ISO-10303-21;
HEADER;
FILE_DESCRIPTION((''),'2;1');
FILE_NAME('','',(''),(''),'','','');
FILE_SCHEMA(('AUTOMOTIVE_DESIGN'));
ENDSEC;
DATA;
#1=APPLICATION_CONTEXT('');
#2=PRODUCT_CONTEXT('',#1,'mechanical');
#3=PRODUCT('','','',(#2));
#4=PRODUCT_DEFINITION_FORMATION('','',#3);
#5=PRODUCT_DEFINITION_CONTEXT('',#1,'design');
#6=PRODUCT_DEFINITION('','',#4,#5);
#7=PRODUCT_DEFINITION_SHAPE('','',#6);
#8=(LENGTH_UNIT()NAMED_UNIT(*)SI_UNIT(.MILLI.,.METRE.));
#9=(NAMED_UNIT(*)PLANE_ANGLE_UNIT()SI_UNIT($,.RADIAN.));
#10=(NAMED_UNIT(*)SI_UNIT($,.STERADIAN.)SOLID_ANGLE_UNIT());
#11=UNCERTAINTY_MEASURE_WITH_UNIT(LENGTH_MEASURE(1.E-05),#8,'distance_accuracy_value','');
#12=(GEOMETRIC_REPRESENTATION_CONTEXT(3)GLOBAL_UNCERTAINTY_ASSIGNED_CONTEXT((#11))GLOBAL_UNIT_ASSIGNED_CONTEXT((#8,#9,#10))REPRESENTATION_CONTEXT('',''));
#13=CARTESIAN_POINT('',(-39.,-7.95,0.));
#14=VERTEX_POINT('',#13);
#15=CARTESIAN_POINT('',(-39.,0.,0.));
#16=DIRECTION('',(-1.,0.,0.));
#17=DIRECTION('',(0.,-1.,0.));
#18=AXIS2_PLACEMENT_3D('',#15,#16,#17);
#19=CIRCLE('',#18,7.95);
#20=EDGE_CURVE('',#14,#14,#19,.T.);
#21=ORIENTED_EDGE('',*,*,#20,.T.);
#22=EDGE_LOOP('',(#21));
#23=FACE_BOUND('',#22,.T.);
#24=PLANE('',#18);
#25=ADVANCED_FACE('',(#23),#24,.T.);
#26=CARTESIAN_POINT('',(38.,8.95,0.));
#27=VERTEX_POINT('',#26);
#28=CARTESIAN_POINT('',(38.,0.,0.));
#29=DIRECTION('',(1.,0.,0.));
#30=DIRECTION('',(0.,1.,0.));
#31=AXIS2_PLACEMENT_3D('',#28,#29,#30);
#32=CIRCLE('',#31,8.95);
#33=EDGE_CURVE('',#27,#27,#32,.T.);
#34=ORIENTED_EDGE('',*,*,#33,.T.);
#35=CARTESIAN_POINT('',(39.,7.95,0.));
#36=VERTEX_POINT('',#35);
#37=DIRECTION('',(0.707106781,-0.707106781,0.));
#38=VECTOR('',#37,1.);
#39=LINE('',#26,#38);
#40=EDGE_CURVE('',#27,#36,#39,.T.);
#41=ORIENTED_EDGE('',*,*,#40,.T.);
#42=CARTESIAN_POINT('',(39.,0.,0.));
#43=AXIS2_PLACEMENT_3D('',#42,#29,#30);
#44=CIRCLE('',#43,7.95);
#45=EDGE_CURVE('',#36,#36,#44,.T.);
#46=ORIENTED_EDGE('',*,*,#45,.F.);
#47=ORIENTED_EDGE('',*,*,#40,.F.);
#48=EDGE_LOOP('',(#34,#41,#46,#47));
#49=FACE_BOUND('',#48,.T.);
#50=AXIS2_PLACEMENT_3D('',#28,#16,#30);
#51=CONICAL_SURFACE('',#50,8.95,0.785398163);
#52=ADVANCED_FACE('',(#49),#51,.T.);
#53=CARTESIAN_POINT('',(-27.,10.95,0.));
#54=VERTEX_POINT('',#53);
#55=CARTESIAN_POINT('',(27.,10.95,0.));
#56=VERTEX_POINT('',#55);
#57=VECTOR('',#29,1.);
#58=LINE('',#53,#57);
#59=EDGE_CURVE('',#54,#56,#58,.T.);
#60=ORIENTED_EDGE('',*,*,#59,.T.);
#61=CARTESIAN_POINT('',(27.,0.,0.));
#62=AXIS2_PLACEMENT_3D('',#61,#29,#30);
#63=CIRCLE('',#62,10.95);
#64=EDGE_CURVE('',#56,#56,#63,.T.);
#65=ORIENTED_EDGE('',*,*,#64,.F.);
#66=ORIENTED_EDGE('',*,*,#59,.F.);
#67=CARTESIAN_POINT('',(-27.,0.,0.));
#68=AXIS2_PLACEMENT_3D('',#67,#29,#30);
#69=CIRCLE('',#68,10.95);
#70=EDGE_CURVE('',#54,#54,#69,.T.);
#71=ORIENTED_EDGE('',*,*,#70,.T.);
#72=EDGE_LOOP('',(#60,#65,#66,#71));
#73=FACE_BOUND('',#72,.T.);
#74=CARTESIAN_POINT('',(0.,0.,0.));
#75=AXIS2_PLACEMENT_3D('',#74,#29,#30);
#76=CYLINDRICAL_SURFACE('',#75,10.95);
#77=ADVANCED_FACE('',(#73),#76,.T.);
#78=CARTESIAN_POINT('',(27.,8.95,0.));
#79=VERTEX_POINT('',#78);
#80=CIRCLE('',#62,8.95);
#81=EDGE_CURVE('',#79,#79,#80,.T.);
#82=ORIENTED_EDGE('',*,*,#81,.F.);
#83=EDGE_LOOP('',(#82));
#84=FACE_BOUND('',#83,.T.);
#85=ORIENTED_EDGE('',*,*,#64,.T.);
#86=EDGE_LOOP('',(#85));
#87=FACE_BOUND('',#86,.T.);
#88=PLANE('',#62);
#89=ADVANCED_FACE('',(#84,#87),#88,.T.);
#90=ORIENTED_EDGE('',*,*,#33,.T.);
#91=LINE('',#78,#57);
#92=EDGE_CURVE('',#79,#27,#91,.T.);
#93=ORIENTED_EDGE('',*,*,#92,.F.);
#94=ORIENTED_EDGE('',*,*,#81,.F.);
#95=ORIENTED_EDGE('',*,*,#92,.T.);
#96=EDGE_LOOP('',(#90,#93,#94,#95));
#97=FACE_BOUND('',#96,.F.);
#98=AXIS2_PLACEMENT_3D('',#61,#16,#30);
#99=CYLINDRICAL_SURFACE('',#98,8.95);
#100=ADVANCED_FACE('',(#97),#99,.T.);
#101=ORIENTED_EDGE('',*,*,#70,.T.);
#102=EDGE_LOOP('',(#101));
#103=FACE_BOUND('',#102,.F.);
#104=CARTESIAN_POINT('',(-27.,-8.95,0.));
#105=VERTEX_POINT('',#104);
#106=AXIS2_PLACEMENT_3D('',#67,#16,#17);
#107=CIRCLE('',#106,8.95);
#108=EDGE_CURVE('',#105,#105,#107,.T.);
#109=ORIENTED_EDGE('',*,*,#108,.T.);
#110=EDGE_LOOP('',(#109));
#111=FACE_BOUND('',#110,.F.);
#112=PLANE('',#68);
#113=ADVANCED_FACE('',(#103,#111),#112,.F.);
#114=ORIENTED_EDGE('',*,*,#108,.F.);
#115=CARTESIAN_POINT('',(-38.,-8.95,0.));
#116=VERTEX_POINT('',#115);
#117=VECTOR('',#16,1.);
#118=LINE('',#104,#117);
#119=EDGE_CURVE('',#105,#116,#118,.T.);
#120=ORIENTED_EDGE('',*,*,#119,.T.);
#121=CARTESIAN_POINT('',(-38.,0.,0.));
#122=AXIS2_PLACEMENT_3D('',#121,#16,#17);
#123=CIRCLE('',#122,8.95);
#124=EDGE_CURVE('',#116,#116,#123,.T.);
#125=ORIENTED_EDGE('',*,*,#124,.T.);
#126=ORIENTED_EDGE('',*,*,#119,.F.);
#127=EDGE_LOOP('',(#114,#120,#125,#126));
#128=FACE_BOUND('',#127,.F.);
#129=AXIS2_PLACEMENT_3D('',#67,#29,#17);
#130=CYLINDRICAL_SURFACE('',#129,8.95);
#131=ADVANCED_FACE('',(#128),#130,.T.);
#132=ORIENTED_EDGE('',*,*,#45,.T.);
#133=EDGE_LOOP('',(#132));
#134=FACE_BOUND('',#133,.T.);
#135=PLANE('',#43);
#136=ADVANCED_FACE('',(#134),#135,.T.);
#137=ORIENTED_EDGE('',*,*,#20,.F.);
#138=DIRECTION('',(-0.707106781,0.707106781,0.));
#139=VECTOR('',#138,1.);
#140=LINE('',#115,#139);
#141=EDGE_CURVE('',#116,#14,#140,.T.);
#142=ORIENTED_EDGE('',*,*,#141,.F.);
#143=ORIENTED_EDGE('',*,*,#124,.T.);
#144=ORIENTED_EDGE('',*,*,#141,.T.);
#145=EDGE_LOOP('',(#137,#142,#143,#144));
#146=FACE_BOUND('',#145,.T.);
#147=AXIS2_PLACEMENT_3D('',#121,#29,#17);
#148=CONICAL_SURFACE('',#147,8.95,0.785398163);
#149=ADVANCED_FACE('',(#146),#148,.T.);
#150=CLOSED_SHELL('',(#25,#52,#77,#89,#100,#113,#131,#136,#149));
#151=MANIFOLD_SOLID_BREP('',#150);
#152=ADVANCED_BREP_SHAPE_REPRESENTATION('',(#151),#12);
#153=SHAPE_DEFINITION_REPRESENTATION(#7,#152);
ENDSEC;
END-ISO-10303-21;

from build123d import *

# Parameters (mm, degrees)
F0_R          = 10.95
F1_DEPTH      = 27
F1_DEPTH_BACK = 27
F2_R          = 8.95
F3_DEPTH      = 12
F4_SIZE       = 1
F5_R          = 8.95
F6_DEPTH      = 12
F7_SIZE       = 1


with BuildPart() as f1:
    # F0 (on Right) → F1 (new body, two sides)
    with BuildSketch(Plane.YZ) as f1_sk:
        Circle(F0_R)
    extrude(amount=F1_DEPTH)
    extrude(f1_sk.sketch, amount=-F1_DEPTH_BACK)

    # F2 (on face) → F3 (join)
    with BuildSketch(Plane.YZ.offset(27)):
        Circle(F2_R)
    extrude(amount=F3_DEPTH)

    # F4
    f4_edges = [f1.edges().sort_by_distance(p)[0] for p in [
        (39, -8.95, 0),
    ]]
    chamfer(f4_edges, length=F4_SIZE)

    # F5 (on face) → F6 (join)
    with BuildSketch(Plane(origin=(-27, 0, 0), x_dir=(0, -1, 0), z_dir=(-1, 0, 0))):
        Circle(F5_R)
    extrude(amount=F6_DEPTH)

    # F7
    f7_edges = [f1.edges().sort_by_distance(p)[0] for p in [
        (-39, 8.95, 0),
    ]]
    chamfer(f7_edges, length=F7_SIZE)


solid = f1.part
